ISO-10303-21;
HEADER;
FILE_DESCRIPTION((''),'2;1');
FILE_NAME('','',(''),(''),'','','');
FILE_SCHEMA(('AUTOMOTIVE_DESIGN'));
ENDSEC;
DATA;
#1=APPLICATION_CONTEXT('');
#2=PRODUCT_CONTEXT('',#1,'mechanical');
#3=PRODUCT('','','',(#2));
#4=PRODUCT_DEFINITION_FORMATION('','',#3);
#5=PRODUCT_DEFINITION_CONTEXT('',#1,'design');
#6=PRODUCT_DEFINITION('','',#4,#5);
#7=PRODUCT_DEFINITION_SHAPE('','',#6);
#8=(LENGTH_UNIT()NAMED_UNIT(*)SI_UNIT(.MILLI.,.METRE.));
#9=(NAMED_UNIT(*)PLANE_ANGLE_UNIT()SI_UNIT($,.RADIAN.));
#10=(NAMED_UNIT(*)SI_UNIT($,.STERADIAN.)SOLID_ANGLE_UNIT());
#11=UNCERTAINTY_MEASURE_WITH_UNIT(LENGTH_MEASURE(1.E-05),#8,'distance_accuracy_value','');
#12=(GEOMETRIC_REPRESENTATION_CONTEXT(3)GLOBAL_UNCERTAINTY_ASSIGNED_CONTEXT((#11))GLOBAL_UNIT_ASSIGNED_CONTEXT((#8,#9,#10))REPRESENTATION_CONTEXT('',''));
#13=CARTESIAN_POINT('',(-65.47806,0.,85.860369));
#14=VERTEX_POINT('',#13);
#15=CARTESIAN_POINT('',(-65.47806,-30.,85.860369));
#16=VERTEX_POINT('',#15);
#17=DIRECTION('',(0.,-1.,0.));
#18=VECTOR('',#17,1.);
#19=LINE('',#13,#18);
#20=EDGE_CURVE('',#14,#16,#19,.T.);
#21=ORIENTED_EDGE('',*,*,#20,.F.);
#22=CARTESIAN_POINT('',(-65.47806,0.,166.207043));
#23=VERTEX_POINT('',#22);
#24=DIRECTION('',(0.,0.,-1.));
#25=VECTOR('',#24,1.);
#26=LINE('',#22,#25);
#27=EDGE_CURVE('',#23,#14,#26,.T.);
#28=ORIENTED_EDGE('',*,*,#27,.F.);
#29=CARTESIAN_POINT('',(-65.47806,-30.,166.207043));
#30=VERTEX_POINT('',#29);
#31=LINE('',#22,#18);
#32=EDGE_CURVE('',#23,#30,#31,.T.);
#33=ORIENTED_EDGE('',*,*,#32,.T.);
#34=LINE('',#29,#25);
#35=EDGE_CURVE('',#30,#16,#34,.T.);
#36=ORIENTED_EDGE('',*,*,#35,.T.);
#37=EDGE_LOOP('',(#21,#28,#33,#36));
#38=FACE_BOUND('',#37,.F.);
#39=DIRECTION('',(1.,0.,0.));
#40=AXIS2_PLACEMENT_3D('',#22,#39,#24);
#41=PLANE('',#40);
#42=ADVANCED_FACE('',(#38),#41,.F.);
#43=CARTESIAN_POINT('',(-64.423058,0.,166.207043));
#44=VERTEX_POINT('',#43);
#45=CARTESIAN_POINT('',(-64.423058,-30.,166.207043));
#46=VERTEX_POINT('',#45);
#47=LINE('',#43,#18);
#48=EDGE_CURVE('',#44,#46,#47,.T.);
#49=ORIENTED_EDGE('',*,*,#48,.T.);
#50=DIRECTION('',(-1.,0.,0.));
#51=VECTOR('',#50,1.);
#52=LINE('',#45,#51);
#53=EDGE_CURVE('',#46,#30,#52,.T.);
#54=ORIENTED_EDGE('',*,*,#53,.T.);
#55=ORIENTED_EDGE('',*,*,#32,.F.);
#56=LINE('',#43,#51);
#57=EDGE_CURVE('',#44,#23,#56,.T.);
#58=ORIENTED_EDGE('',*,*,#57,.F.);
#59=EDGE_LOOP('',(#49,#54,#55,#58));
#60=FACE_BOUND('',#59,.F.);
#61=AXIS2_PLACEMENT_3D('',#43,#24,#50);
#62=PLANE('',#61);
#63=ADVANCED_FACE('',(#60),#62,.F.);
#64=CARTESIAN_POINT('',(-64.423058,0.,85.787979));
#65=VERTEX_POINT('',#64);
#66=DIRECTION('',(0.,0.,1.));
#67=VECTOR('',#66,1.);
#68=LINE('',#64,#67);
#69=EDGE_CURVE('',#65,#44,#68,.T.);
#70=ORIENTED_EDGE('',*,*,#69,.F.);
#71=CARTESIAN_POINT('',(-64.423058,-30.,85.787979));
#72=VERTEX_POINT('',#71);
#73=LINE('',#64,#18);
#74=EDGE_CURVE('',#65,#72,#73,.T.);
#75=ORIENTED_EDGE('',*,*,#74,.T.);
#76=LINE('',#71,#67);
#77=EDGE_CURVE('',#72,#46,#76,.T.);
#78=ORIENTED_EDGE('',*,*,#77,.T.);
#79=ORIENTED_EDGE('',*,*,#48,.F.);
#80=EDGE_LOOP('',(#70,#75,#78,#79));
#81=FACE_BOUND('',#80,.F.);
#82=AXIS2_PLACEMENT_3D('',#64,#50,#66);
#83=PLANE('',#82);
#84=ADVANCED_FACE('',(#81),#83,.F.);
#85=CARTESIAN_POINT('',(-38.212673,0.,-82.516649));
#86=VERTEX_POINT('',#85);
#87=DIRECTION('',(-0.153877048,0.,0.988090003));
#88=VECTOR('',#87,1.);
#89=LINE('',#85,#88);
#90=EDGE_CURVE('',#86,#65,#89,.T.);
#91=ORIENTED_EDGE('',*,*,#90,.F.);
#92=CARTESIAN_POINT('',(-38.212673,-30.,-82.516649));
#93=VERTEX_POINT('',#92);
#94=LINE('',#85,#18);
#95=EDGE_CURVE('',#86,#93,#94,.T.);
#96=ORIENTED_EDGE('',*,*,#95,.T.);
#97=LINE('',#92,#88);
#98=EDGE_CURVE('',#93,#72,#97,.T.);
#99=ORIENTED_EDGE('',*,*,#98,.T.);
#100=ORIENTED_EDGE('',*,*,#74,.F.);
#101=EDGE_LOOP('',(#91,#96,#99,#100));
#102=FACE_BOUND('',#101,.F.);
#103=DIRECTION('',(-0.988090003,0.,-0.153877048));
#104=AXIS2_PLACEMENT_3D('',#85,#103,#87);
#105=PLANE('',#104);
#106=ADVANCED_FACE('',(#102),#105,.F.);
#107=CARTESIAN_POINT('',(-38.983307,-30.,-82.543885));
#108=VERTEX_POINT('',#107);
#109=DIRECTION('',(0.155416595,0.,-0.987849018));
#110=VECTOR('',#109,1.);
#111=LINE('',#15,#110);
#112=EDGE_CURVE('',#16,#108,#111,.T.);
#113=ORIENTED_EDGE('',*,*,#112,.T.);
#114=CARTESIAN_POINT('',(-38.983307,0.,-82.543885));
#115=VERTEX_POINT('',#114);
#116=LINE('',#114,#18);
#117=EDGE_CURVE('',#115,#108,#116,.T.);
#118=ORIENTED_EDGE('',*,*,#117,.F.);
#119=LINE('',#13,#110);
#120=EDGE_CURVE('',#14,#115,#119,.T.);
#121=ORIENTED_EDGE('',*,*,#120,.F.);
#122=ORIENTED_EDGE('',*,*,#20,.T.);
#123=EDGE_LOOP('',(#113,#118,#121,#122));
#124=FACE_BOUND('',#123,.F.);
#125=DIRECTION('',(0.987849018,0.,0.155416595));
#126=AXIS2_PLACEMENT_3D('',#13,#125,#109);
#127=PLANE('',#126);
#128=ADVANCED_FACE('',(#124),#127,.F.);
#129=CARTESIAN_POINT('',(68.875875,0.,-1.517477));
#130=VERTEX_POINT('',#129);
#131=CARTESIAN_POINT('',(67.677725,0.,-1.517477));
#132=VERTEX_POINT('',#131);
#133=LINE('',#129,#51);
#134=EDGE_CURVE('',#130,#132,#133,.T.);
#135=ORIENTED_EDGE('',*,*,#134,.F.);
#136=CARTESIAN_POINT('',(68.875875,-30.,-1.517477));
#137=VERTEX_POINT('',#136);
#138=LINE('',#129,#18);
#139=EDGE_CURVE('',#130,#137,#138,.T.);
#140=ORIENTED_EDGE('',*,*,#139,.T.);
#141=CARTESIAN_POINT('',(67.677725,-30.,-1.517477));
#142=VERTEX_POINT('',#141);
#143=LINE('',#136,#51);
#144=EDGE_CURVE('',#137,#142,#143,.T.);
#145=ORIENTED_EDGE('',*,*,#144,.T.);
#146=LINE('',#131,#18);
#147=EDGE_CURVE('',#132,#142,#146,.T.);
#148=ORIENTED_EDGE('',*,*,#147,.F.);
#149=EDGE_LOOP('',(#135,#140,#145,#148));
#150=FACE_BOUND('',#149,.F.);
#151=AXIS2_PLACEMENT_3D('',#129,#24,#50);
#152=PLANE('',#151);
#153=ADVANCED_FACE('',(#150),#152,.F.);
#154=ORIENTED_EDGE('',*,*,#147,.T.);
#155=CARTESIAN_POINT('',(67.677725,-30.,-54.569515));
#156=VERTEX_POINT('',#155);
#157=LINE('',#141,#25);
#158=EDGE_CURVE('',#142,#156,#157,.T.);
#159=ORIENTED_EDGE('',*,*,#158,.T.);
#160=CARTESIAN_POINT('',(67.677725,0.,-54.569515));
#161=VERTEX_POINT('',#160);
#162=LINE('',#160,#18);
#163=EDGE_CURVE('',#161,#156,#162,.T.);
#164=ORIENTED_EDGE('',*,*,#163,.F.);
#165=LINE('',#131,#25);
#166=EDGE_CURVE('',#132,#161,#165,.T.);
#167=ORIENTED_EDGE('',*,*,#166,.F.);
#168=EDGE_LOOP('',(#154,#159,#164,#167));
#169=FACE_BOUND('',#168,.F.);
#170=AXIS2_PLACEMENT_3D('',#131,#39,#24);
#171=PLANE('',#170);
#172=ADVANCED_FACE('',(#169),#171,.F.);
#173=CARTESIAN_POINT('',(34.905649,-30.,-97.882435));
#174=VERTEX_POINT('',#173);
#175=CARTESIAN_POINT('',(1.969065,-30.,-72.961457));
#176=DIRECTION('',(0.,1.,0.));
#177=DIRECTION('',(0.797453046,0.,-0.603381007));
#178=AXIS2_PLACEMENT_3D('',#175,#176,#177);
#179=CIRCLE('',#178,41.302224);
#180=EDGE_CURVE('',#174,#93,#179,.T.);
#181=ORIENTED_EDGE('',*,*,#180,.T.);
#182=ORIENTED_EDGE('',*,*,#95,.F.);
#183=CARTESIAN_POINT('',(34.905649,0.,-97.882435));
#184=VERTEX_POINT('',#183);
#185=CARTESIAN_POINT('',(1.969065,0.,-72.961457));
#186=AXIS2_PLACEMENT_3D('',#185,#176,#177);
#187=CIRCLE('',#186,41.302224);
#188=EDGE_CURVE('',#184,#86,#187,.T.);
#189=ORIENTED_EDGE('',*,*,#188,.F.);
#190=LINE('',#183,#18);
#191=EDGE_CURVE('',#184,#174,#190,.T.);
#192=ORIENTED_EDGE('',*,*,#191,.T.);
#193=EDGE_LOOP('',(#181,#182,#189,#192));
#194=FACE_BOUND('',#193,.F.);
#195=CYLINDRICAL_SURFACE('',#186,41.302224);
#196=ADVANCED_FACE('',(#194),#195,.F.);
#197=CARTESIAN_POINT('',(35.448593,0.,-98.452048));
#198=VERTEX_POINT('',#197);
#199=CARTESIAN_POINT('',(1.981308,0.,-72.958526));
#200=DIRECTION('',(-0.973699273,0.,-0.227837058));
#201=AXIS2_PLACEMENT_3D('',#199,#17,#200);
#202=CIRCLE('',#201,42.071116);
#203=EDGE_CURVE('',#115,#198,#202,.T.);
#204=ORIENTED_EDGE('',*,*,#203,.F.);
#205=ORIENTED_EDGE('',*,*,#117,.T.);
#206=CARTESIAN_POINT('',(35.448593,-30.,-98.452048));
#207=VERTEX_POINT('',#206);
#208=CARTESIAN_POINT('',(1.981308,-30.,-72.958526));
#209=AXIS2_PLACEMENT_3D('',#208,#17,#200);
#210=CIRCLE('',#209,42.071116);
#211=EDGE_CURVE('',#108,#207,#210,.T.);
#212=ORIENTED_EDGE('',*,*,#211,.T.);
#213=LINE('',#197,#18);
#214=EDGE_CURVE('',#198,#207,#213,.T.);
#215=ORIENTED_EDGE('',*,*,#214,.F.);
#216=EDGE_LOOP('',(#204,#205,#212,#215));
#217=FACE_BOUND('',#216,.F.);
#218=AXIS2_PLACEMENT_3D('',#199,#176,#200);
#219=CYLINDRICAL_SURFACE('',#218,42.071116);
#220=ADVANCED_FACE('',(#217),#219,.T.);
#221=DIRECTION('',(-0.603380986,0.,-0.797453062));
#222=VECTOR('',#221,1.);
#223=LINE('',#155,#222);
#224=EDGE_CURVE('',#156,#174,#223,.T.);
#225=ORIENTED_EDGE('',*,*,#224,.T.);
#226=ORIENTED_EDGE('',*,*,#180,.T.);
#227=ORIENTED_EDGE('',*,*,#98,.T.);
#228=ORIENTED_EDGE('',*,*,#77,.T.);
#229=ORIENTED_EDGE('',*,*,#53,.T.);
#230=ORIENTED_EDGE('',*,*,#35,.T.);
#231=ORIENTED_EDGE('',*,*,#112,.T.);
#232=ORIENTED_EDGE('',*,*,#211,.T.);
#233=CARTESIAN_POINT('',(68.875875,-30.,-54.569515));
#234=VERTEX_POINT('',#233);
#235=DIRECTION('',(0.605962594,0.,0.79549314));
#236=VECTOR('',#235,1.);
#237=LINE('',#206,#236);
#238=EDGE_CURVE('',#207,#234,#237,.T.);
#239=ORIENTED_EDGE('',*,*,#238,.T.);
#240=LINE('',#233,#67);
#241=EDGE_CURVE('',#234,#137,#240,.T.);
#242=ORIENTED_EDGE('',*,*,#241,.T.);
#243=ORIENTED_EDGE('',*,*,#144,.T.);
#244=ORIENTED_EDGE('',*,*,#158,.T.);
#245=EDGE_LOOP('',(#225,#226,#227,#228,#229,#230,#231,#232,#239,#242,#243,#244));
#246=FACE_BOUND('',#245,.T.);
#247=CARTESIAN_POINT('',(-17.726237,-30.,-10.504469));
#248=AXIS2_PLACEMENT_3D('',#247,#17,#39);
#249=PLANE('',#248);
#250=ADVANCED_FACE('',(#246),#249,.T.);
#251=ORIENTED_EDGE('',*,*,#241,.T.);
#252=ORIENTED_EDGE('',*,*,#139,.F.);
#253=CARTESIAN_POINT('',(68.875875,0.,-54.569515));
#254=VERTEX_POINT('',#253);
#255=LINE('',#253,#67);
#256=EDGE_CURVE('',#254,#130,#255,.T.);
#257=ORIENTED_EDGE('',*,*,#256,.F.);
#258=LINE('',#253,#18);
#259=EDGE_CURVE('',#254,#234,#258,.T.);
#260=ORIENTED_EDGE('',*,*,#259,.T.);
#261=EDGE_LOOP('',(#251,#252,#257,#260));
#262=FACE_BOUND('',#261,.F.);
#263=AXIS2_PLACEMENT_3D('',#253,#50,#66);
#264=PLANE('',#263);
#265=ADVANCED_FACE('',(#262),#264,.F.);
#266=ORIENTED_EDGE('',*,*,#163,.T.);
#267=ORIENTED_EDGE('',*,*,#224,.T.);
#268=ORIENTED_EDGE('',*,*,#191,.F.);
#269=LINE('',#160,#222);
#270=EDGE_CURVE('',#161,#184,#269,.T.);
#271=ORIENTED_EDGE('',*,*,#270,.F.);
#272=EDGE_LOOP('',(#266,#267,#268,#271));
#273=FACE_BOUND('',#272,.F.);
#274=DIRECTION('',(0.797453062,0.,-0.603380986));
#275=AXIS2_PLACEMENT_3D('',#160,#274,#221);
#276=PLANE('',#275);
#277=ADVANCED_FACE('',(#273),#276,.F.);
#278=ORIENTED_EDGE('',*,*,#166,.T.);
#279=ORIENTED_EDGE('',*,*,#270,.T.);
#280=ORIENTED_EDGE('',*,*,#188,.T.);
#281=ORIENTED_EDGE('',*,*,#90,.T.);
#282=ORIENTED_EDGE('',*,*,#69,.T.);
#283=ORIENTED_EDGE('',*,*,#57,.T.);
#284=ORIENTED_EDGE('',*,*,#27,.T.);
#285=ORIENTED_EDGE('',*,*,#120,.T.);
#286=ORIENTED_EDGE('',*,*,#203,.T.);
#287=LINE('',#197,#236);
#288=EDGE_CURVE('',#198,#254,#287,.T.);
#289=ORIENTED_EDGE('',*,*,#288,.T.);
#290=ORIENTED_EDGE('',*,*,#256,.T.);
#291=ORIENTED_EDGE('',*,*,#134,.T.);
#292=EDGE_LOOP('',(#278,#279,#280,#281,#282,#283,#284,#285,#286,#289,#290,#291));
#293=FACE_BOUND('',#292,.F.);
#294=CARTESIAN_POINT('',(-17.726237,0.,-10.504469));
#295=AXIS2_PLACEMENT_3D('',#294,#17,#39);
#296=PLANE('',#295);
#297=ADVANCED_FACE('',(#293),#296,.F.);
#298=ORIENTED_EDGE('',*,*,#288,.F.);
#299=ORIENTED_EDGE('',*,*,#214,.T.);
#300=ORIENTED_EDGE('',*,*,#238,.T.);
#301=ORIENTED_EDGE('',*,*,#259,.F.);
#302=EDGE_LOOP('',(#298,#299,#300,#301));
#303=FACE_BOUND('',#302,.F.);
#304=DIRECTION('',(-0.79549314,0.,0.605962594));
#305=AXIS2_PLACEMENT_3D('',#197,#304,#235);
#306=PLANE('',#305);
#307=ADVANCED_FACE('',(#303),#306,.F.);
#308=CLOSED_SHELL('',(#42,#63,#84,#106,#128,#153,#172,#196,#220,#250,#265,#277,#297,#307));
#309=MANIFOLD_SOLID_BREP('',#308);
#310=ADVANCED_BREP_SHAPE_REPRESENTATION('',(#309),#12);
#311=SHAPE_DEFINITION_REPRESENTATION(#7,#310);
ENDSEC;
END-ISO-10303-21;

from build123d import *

# Parameters (mm, degrees)
F1_DEPTH = 30


with BuildPart() as f1:
    # F0 (on Front) → F1 (new body)
    with BuildSketch(Plane.XZ):
        with BuildLine():
            Line((68.875875, -1.517477), (67.677725, -1.517477))
            Line((67.677725, -1.517477), (67.677725, -54.569515))
            Line((67.677725, -54.569515), (34.905649, -97.882435))
            ThreePointArc((34.905649, -97.882435), (-6.525045, -113.380807), (-38.212673, -82.516649))
            Line((-38.212673, -82.516649), (-64.423058, 85.787979))
            Line((-64.423058, 85.787979), (-64.423058, 166.207043))
            Line((-64.423058, 166.207043), (-65.47806, 166.207043))
            Line((-65.47806, 166.207043), (-65.47806, 85.860369))
            Line((-65.47806, 85.860369), (-38.983307, -82.543885))
            ThreePointArc((-38.983307, -82.543885), (-6.811865, -114.100462), (35.448593, -98.452048))
            Line((35.448593, -98.452048), (68.875875, -54.569515))
            Line((68.875875, -54.569515), (68.875875, -1.517477))
        make_face()
    extrude(amount=F1_DEPTH)


solid = f1.part
